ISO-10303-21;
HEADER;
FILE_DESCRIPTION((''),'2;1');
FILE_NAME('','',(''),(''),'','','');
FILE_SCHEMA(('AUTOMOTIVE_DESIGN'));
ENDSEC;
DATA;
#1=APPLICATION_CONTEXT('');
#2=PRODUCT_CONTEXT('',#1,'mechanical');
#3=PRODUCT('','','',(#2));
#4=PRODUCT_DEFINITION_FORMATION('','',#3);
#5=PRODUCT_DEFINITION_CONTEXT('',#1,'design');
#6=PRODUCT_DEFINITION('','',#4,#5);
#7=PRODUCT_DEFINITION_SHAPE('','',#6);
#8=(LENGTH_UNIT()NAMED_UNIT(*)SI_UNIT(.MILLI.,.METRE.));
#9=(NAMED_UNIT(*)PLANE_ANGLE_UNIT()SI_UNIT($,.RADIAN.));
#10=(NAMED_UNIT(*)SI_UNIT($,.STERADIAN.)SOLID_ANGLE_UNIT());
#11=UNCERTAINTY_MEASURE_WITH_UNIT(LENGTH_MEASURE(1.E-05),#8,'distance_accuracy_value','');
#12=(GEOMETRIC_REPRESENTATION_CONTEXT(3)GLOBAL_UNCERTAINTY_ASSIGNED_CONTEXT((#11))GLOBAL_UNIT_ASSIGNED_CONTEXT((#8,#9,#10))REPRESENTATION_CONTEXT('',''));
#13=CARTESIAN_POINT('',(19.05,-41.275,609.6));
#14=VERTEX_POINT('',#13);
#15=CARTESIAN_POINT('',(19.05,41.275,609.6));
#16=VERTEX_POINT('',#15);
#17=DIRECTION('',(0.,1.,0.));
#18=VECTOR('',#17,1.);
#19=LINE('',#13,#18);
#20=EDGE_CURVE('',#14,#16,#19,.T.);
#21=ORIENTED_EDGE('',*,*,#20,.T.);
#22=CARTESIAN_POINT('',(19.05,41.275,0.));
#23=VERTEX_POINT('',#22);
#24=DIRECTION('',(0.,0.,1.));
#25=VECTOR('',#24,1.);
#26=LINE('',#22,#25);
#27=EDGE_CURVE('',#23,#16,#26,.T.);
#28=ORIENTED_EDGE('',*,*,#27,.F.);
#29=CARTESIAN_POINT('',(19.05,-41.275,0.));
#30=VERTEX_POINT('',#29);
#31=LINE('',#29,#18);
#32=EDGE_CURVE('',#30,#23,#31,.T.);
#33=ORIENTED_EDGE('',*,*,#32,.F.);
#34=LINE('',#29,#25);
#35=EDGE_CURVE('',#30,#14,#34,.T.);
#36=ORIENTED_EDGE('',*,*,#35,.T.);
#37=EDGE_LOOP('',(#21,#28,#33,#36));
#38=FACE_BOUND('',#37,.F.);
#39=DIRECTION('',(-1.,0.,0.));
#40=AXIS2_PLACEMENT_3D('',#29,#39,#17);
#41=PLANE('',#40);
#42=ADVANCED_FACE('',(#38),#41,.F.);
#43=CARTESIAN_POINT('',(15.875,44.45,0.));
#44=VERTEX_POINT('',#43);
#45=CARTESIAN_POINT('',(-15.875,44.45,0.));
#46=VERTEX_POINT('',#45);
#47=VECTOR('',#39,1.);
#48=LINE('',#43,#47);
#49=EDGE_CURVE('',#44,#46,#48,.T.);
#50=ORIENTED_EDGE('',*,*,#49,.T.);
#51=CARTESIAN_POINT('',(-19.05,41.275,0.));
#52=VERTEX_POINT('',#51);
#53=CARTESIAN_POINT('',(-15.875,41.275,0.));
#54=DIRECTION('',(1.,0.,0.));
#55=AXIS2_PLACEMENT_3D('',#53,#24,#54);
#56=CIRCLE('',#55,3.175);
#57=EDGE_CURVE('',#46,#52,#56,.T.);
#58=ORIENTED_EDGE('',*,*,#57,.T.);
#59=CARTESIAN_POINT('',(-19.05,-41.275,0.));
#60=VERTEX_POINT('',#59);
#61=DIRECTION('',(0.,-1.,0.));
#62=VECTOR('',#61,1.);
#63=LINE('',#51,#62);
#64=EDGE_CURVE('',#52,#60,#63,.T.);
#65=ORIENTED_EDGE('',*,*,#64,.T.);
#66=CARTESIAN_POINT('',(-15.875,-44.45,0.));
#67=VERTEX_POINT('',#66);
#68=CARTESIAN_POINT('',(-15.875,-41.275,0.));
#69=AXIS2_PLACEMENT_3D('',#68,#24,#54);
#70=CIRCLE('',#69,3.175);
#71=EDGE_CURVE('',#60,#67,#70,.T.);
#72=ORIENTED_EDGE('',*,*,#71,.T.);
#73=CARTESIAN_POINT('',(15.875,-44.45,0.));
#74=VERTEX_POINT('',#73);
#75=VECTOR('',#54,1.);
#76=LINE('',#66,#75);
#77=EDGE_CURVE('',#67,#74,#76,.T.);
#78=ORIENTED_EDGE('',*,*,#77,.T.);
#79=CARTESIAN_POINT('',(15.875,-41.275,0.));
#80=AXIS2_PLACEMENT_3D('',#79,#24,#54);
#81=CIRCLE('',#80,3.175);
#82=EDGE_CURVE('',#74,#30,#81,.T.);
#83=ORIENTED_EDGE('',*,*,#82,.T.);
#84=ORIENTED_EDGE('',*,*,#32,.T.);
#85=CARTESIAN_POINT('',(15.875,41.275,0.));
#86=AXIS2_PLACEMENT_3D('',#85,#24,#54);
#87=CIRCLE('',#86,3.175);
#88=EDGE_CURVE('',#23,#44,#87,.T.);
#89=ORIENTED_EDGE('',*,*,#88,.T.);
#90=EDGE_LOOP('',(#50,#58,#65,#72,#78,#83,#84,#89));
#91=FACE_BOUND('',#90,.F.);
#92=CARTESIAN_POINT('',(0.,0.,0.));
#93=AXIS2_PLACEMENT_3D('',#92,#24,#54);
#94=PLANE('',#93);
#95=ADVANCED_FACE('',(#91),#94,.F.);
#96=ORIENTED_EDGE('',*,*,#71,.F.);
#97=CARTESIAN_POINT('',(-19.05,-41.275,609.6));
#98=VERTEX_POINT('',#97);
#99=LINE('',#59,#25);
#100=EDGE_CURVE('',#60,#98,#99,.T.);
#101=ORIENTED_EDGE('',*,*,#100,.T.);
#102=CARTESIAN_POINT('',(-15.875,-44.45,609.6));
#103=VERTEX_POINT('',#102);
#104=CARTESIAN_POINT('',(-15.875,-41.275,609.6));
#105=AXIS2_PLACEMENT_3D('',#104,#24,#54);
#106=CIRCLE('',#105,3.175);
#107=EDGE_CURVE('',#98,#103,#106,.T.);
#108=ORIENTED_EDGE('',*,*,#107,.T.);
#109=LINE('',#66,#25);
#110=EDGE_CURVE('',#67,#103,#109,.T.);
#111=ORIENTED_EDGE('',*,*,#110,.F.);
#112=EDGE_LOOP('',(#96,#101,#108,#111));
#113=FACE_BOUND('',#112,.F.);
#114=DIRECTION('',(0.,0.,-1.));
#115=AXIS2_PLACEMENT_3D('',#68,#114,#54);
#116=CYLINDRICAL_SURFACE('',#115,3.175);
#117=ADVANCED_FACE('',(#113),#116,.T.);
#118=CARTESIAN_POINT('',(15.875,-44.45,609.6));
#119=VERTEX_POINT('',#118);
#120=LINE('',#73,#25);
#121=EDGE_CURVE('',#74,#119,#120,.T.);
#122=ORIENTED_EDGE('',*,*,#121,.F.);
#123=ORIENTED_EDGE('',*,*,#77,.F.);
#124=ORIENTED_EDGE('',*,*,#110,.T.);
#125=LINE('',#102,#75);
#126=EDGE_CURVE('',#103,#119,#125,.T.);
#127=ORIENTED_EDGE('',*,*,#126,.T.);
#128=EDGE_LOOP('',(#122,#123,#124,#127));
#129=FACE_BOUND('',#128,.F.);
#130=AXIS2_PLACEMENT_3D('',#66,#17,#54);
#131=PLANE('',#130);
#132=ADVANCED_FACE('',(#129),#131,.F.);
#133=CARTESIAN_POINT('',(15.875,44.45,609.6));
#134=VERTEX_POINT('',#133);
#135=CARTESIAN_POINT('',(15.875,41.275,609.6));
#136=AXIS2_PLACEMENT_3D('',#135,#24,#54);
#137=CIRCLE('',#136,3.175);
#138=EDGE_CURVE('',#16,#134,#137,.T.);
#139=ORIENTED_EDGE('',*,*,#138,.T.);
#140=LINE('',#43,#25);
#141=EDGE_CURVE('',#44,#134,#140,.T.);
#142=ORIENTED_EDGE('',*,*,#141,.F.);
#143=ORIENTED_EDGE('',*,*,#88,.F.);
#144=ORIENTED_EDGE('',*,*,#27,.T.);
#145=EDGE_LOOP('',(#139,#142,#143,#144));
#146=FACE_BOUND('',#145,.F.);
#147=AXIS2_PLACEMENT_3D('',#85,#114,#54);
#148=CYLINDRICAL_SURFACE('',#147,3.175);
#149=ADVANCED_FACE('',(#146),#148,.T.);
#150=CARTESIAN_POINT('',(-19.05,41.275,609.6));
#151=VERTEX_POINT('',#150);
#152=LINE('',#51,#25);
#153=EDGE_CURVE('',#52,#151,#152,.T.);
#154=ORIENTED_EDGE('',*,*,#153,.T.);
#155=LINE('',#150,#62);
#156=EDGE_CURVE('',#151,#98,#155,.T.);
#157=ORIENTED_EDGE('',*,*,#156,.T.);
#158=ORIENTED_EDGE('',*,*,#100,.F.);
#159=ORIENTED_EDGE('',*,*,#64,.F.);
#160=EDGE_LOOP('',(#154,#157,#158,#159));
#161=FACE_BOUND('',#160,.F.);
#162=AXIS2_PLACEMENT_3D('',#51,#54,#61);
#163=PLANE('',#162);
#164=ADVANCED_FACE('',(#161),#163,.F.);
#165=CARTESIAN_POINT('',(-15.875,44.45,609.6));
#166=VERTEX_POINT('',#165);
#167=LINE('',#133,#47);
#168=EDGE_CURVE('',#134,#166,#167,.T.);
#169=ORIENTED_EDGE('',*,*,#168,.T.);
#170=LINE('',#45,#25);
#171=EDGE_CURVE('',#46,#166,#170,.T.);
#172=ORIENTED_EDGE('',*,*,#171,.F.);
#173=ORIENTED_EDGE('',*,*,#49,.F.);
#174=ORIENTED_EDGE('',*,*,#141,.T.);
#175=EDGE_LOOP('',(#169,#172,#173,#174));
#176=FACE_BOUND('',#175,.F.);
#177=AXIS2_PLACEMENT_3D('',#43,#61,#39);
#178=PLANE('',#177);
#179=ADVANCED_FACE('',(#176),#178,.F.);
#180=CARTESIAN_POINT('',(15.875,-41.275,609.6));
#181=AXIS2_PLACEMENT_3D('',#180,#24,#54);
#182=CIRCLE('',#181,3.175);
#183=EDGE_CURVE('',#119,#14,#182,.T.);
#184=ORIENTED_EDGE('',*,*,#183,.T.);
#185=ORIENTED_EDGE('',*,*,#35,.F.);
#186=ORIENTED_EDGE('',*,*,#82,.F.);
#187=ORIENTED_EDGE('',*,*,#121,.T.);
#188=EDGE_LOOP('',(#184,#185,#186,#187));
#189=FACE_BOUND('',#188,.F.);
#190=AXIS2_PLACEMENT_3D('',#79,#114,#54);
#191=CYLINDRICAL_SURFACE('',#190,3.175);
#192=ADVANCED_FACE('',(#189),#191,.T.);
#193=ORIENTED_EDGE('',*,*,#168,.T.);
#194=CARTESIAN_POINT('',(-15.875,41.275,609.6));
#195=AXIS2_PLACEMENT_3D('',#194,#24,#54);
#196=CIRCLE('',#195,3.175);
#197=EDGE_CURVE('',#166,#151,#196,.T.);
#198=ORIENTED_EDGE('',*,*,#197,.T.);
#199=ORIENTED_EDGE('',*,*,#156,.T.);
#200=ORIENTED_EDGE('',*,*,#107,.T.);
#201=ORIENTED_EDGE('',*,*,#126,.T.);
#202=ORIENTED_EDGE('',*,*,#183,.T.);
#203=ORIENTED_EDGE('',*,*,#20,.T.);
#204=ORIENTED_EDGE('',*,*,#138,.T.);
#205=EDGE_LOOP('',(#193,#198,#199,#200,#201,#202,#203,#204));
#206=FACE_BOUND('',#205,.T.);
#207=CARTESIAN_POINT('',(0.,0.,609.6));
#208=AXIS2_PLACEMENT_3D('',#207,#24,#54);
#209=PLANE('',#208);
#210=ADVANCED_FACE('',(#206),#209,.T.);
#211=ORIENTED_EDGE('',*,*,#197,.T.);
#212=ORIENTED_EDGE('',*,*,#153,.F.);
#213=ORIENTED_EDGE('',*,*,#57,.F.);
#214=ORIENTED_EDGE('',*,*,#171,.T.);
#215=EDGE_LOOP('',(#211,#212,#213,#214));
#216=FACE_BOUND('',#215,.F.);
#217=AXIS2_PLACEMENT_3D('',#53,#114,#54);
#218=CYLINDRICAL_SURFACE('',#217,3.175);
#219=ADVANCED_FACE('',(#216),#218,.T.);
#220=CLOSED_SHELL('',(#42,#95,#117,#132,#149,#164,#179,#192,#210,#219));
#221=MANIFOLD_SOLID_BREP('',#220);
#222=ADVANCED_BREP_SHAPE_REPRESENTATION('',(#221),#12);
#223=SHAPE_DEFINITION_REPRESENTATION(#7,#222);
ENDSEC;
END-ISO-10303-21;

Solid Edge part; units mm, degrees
sketch "Sketch1" plane through (0, 0, 0) normal (0, 0, 1) x (1, 0, 0)
  line L0 (-15.875, -44.45) -> (15.875, -44.45)
  arc A0 (15.875, -44.45) -> (19.05, -41.275) centre (15.875, -41.275) ccw
  line L1 (19.05, -41.275) -> (19.05, 41.275)
  arc A1 (19.05, 41.275) -> (15.875, 44.45) centre (15.875, 41.275) ccw
  line L2 (15.875, 44.45) -> (-15.875, 44.45)
  arc A2 (-15.875, 44.45) -> (-19.05, 41.275) centre (-15.875, 41.275) ccw
  line L3 (-19.05, 41.275) -> (-19.05, -41.275)
  arc A3 (-19.05, -41.275) -> (-15.875, -44.45) centre (-15.875, -41.275) ccw
  dimension "D1" = 38.1
  dimension "D2" = 88.9
  dimension "D3" = 3.175
extrude "Protrusion1" add sketch "Sketch1" along normal blind 609.6
properties material "Wood, Pine"
